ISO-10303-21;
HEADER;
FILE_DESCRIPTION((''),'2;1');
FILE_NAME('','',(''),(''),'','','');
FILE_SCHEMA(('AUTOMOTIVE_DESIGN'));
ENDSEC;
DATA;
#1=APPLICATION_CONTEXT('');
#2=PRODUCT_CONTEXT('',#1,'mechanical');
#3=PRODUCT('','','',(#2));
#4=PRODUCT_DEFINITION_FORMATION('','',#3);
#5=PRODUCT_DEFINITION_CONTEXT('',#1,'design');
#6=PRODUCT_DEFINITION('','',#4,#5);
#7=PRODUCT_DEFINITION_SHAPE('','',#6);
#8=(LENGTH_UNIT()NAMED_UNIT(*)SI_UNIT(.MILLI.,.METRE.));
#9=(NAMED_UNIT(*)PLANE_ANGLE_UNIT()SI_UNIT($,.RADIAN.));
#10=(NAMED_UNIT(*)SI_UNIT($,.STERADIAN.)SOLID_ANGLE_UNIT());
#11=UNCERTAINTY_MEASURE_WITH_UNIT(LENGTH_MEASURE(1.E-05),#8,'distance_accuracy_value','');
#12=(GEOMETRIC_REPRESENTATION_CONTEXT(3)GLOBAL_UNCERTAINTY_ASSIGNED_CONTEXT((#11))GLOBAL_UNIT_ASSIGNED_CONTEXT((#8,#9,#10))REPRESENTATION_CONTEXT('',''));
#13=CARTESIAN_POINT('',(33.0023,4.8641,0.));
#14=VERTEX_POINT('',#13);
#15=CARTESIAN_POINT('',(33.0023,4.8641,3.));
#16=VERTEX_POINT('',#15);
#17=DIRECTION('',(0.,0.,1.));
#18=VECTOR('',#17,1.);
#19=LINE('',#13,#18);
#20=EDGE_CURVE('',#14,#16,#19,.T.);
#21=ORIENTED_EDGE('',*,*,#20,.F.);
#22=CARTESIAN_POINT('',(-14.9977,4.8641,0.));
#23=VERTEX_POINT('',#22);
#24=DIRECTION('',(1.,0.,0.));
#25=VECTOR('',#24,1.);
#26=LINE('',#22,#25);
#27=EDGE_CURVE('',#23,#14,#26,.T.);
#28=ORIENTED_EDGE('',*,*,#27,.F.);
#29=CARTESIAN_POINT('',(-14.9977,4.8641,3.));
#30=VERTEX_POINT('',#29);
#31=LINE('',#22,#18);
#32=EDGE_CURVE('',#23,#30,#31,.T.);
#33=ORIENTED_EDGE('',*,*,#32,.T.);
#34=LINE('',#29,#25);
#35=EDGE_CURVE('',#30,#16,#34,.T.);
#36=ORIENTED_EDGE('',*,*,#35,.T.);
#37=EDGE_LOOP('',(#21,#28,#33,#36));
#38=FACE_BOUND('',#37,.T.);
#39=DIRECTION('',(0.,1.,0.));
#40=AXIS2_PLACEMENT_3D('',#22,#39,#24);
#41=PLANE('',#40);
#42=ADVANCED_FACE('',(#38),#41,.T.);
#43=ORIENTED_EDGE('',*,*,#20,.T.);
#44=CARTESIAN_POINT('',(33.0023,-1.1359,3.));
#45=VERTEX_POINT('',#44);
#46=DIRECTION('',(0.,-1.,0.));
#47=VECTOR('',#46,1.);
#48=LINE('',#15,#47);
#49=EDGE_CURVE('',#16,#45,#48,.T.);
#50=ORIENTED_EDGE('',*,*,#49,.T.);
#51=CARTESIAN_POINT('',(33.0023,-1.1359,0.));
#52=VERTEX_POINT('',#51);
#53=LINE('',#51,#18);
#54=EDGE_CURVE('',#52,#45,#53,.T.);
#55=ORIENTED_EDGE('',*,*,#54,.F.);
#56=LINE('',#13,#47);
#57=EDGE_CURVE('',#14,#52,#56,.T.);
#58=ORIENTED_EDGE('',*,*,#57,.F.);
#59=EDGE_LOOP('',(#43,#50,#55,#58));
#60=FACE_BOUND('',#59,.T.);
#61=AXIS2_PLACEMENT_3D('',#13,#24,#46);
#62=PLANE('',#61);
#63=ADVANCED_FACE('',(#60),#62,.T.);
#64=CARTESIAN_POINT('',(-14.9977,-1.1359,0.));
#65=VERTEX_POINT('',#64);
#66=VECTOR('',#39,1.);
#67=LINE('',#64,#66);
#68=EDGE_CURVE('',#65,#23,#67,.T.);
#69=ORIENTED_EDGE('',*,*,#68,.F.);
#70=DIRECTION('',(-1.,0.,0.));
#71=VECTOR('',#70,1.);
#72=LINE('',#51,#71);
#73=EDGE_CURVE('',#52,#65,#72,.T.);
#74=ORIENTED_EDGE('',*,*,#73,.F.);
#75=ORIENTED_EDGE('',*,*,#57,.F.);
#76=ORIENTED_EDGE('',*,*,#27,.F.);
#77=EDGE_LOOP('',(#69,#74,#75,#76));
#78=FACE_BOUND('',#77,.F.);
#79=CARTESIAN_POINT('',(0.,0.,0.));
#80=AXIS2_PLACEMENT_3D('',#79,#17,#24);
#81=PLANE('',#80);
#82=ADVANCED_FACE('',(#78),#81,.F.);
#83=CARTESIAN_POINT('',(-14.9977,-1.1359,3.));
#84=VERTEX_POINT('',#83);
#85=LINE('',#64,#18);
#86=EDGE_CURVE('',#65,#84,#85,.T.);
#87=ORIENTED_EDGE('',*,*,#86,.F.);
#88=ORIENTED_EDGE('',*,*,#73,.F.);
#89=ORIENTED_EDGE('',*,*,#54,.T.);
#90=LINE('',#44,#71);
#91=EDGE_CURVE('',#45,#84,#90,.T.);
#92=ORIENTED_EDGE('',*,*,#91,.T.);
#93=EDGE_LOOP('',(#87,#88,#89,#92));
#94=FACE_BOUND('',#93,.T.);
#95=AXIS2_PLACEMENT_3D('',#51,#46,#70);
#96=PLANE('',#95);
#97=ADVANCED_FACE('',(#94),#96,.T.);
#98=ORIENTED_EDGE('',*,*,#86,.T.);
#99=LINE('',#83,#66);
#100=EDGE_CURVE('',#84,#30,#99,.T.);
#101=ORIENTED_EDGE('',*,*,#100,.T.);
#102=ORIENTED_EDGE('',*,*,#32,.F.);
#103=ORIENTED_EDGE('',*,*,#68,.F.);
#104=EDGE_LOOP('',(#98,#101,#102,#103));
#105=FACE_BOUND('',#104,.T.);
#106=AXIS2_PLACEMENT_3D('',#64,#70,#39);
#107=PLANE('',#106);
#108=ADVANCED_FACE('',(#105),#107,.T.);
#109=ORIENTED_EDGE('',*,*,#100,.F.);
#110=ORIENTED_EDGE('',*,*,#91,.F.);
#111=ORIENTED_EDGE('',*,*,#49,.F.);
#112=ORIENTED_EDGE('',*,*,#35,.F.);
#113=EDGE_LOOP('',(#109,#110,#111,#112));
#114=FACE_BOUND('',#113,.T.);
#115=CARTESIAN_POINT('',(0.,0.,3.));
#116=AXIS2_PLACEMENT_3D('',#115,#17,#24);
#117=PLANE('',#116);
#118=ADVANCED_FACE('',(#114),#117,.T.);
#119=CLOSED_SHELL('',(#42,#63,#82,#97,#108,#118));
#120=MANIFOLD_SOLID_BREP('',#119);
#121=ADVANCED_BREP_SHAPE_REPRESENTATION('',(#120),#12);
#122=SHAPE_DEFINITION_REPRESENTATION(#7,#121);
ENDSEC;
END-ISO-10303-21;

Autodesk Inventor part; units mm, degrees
ref_plane "YZ Plane" through (0, 0, 0) normal (1, 0, 0) x (0, 1, 0)
ref_plane "XZ Plane" through (0, 0, 0) normal (0, 1, 0) x (-1, 0, 0)
ref_plane "XY Plane" through (0, 0, 0) normal (0, 0, 1) x (1, 0, 0)
sketch "スケッチ1" plane through (0, 0, 0) normal (0, 0, 1) x (1, 0, 0)
  line L0 (-14.9977, 4.8641) -> (33.0023, 4.8641)
  line L1 (33.0023, 4.8641) -> (33.0023, -1.1359)
  line L2 (33.0023, -1.1359) -> (-14.9977, -1.1359)
  line L3 (-14.9977, -1.1359) -> (-14.9977, 4.8641)
  point P0 (0, 0)
  dimension "d0" = 48
  dimension "d1" = 6
sketch "スケッチ2" plane through (0, 0, 0) normal (0, 0, 1) x (1, 0, 0)
  point P0 (0, 0)
extrude "押し出し1" add sketch "スケッチ1" along normal blind 3
sketch "スケッチ3" plane through (0, 0, 3) normal (0, 0, 1) x (1, 0, 0)
  line L0 (-8.4977, 1.8641) -> (26.5023, 1.8641) construction
  line L1 (-8.4977, 0.3641) -> (26.5023, 0.3641)
  line L2 (26.5023, 3.3641) -> (-8.4977, 3.3641)
  arc A0 (-8.4977, 3.3641) -> (-8.4977, 0.3641) centre (-8.4977, 1.8641) ccw
  arc A1 (26.5023, 0.3641) -> (26.5023, 3.3641) centre (26.5023, 1.8641) ccw
  line L3 (-14.9977, 4.8641) -> (-14.9977, -1.1359) projected
  line L4 (33.0023, 4.8641) -> (-14.9977, 4.8641) projected
  point P0 (0, 0)
  point P1 (9.0023, 1.8641)
  dimension "d4" = 35
  dimension "d5" = 3
  dimension "d6" = 6.5
  dimension "d7" = 3
equation "\"BendRadius\" = Thickness"
equation "\"BendReliefWidth\" = Thickness"
equation "\"BendReliefDepth\" = 0.5 * Thickness"
equation "\"CornerReliefSize\" = 4 * Thickness"
equation "\"MinimumRemnant\" = 2 * Thickness"
equation "\"TransitionRadius\" = BendRadius"
equation "\"JacobiRadiusSize\" = BendRadius"
equation "\"GapSize\" = Thickness"
equation "\"Thickness\" = 0.5"
properties part number "crat8"
